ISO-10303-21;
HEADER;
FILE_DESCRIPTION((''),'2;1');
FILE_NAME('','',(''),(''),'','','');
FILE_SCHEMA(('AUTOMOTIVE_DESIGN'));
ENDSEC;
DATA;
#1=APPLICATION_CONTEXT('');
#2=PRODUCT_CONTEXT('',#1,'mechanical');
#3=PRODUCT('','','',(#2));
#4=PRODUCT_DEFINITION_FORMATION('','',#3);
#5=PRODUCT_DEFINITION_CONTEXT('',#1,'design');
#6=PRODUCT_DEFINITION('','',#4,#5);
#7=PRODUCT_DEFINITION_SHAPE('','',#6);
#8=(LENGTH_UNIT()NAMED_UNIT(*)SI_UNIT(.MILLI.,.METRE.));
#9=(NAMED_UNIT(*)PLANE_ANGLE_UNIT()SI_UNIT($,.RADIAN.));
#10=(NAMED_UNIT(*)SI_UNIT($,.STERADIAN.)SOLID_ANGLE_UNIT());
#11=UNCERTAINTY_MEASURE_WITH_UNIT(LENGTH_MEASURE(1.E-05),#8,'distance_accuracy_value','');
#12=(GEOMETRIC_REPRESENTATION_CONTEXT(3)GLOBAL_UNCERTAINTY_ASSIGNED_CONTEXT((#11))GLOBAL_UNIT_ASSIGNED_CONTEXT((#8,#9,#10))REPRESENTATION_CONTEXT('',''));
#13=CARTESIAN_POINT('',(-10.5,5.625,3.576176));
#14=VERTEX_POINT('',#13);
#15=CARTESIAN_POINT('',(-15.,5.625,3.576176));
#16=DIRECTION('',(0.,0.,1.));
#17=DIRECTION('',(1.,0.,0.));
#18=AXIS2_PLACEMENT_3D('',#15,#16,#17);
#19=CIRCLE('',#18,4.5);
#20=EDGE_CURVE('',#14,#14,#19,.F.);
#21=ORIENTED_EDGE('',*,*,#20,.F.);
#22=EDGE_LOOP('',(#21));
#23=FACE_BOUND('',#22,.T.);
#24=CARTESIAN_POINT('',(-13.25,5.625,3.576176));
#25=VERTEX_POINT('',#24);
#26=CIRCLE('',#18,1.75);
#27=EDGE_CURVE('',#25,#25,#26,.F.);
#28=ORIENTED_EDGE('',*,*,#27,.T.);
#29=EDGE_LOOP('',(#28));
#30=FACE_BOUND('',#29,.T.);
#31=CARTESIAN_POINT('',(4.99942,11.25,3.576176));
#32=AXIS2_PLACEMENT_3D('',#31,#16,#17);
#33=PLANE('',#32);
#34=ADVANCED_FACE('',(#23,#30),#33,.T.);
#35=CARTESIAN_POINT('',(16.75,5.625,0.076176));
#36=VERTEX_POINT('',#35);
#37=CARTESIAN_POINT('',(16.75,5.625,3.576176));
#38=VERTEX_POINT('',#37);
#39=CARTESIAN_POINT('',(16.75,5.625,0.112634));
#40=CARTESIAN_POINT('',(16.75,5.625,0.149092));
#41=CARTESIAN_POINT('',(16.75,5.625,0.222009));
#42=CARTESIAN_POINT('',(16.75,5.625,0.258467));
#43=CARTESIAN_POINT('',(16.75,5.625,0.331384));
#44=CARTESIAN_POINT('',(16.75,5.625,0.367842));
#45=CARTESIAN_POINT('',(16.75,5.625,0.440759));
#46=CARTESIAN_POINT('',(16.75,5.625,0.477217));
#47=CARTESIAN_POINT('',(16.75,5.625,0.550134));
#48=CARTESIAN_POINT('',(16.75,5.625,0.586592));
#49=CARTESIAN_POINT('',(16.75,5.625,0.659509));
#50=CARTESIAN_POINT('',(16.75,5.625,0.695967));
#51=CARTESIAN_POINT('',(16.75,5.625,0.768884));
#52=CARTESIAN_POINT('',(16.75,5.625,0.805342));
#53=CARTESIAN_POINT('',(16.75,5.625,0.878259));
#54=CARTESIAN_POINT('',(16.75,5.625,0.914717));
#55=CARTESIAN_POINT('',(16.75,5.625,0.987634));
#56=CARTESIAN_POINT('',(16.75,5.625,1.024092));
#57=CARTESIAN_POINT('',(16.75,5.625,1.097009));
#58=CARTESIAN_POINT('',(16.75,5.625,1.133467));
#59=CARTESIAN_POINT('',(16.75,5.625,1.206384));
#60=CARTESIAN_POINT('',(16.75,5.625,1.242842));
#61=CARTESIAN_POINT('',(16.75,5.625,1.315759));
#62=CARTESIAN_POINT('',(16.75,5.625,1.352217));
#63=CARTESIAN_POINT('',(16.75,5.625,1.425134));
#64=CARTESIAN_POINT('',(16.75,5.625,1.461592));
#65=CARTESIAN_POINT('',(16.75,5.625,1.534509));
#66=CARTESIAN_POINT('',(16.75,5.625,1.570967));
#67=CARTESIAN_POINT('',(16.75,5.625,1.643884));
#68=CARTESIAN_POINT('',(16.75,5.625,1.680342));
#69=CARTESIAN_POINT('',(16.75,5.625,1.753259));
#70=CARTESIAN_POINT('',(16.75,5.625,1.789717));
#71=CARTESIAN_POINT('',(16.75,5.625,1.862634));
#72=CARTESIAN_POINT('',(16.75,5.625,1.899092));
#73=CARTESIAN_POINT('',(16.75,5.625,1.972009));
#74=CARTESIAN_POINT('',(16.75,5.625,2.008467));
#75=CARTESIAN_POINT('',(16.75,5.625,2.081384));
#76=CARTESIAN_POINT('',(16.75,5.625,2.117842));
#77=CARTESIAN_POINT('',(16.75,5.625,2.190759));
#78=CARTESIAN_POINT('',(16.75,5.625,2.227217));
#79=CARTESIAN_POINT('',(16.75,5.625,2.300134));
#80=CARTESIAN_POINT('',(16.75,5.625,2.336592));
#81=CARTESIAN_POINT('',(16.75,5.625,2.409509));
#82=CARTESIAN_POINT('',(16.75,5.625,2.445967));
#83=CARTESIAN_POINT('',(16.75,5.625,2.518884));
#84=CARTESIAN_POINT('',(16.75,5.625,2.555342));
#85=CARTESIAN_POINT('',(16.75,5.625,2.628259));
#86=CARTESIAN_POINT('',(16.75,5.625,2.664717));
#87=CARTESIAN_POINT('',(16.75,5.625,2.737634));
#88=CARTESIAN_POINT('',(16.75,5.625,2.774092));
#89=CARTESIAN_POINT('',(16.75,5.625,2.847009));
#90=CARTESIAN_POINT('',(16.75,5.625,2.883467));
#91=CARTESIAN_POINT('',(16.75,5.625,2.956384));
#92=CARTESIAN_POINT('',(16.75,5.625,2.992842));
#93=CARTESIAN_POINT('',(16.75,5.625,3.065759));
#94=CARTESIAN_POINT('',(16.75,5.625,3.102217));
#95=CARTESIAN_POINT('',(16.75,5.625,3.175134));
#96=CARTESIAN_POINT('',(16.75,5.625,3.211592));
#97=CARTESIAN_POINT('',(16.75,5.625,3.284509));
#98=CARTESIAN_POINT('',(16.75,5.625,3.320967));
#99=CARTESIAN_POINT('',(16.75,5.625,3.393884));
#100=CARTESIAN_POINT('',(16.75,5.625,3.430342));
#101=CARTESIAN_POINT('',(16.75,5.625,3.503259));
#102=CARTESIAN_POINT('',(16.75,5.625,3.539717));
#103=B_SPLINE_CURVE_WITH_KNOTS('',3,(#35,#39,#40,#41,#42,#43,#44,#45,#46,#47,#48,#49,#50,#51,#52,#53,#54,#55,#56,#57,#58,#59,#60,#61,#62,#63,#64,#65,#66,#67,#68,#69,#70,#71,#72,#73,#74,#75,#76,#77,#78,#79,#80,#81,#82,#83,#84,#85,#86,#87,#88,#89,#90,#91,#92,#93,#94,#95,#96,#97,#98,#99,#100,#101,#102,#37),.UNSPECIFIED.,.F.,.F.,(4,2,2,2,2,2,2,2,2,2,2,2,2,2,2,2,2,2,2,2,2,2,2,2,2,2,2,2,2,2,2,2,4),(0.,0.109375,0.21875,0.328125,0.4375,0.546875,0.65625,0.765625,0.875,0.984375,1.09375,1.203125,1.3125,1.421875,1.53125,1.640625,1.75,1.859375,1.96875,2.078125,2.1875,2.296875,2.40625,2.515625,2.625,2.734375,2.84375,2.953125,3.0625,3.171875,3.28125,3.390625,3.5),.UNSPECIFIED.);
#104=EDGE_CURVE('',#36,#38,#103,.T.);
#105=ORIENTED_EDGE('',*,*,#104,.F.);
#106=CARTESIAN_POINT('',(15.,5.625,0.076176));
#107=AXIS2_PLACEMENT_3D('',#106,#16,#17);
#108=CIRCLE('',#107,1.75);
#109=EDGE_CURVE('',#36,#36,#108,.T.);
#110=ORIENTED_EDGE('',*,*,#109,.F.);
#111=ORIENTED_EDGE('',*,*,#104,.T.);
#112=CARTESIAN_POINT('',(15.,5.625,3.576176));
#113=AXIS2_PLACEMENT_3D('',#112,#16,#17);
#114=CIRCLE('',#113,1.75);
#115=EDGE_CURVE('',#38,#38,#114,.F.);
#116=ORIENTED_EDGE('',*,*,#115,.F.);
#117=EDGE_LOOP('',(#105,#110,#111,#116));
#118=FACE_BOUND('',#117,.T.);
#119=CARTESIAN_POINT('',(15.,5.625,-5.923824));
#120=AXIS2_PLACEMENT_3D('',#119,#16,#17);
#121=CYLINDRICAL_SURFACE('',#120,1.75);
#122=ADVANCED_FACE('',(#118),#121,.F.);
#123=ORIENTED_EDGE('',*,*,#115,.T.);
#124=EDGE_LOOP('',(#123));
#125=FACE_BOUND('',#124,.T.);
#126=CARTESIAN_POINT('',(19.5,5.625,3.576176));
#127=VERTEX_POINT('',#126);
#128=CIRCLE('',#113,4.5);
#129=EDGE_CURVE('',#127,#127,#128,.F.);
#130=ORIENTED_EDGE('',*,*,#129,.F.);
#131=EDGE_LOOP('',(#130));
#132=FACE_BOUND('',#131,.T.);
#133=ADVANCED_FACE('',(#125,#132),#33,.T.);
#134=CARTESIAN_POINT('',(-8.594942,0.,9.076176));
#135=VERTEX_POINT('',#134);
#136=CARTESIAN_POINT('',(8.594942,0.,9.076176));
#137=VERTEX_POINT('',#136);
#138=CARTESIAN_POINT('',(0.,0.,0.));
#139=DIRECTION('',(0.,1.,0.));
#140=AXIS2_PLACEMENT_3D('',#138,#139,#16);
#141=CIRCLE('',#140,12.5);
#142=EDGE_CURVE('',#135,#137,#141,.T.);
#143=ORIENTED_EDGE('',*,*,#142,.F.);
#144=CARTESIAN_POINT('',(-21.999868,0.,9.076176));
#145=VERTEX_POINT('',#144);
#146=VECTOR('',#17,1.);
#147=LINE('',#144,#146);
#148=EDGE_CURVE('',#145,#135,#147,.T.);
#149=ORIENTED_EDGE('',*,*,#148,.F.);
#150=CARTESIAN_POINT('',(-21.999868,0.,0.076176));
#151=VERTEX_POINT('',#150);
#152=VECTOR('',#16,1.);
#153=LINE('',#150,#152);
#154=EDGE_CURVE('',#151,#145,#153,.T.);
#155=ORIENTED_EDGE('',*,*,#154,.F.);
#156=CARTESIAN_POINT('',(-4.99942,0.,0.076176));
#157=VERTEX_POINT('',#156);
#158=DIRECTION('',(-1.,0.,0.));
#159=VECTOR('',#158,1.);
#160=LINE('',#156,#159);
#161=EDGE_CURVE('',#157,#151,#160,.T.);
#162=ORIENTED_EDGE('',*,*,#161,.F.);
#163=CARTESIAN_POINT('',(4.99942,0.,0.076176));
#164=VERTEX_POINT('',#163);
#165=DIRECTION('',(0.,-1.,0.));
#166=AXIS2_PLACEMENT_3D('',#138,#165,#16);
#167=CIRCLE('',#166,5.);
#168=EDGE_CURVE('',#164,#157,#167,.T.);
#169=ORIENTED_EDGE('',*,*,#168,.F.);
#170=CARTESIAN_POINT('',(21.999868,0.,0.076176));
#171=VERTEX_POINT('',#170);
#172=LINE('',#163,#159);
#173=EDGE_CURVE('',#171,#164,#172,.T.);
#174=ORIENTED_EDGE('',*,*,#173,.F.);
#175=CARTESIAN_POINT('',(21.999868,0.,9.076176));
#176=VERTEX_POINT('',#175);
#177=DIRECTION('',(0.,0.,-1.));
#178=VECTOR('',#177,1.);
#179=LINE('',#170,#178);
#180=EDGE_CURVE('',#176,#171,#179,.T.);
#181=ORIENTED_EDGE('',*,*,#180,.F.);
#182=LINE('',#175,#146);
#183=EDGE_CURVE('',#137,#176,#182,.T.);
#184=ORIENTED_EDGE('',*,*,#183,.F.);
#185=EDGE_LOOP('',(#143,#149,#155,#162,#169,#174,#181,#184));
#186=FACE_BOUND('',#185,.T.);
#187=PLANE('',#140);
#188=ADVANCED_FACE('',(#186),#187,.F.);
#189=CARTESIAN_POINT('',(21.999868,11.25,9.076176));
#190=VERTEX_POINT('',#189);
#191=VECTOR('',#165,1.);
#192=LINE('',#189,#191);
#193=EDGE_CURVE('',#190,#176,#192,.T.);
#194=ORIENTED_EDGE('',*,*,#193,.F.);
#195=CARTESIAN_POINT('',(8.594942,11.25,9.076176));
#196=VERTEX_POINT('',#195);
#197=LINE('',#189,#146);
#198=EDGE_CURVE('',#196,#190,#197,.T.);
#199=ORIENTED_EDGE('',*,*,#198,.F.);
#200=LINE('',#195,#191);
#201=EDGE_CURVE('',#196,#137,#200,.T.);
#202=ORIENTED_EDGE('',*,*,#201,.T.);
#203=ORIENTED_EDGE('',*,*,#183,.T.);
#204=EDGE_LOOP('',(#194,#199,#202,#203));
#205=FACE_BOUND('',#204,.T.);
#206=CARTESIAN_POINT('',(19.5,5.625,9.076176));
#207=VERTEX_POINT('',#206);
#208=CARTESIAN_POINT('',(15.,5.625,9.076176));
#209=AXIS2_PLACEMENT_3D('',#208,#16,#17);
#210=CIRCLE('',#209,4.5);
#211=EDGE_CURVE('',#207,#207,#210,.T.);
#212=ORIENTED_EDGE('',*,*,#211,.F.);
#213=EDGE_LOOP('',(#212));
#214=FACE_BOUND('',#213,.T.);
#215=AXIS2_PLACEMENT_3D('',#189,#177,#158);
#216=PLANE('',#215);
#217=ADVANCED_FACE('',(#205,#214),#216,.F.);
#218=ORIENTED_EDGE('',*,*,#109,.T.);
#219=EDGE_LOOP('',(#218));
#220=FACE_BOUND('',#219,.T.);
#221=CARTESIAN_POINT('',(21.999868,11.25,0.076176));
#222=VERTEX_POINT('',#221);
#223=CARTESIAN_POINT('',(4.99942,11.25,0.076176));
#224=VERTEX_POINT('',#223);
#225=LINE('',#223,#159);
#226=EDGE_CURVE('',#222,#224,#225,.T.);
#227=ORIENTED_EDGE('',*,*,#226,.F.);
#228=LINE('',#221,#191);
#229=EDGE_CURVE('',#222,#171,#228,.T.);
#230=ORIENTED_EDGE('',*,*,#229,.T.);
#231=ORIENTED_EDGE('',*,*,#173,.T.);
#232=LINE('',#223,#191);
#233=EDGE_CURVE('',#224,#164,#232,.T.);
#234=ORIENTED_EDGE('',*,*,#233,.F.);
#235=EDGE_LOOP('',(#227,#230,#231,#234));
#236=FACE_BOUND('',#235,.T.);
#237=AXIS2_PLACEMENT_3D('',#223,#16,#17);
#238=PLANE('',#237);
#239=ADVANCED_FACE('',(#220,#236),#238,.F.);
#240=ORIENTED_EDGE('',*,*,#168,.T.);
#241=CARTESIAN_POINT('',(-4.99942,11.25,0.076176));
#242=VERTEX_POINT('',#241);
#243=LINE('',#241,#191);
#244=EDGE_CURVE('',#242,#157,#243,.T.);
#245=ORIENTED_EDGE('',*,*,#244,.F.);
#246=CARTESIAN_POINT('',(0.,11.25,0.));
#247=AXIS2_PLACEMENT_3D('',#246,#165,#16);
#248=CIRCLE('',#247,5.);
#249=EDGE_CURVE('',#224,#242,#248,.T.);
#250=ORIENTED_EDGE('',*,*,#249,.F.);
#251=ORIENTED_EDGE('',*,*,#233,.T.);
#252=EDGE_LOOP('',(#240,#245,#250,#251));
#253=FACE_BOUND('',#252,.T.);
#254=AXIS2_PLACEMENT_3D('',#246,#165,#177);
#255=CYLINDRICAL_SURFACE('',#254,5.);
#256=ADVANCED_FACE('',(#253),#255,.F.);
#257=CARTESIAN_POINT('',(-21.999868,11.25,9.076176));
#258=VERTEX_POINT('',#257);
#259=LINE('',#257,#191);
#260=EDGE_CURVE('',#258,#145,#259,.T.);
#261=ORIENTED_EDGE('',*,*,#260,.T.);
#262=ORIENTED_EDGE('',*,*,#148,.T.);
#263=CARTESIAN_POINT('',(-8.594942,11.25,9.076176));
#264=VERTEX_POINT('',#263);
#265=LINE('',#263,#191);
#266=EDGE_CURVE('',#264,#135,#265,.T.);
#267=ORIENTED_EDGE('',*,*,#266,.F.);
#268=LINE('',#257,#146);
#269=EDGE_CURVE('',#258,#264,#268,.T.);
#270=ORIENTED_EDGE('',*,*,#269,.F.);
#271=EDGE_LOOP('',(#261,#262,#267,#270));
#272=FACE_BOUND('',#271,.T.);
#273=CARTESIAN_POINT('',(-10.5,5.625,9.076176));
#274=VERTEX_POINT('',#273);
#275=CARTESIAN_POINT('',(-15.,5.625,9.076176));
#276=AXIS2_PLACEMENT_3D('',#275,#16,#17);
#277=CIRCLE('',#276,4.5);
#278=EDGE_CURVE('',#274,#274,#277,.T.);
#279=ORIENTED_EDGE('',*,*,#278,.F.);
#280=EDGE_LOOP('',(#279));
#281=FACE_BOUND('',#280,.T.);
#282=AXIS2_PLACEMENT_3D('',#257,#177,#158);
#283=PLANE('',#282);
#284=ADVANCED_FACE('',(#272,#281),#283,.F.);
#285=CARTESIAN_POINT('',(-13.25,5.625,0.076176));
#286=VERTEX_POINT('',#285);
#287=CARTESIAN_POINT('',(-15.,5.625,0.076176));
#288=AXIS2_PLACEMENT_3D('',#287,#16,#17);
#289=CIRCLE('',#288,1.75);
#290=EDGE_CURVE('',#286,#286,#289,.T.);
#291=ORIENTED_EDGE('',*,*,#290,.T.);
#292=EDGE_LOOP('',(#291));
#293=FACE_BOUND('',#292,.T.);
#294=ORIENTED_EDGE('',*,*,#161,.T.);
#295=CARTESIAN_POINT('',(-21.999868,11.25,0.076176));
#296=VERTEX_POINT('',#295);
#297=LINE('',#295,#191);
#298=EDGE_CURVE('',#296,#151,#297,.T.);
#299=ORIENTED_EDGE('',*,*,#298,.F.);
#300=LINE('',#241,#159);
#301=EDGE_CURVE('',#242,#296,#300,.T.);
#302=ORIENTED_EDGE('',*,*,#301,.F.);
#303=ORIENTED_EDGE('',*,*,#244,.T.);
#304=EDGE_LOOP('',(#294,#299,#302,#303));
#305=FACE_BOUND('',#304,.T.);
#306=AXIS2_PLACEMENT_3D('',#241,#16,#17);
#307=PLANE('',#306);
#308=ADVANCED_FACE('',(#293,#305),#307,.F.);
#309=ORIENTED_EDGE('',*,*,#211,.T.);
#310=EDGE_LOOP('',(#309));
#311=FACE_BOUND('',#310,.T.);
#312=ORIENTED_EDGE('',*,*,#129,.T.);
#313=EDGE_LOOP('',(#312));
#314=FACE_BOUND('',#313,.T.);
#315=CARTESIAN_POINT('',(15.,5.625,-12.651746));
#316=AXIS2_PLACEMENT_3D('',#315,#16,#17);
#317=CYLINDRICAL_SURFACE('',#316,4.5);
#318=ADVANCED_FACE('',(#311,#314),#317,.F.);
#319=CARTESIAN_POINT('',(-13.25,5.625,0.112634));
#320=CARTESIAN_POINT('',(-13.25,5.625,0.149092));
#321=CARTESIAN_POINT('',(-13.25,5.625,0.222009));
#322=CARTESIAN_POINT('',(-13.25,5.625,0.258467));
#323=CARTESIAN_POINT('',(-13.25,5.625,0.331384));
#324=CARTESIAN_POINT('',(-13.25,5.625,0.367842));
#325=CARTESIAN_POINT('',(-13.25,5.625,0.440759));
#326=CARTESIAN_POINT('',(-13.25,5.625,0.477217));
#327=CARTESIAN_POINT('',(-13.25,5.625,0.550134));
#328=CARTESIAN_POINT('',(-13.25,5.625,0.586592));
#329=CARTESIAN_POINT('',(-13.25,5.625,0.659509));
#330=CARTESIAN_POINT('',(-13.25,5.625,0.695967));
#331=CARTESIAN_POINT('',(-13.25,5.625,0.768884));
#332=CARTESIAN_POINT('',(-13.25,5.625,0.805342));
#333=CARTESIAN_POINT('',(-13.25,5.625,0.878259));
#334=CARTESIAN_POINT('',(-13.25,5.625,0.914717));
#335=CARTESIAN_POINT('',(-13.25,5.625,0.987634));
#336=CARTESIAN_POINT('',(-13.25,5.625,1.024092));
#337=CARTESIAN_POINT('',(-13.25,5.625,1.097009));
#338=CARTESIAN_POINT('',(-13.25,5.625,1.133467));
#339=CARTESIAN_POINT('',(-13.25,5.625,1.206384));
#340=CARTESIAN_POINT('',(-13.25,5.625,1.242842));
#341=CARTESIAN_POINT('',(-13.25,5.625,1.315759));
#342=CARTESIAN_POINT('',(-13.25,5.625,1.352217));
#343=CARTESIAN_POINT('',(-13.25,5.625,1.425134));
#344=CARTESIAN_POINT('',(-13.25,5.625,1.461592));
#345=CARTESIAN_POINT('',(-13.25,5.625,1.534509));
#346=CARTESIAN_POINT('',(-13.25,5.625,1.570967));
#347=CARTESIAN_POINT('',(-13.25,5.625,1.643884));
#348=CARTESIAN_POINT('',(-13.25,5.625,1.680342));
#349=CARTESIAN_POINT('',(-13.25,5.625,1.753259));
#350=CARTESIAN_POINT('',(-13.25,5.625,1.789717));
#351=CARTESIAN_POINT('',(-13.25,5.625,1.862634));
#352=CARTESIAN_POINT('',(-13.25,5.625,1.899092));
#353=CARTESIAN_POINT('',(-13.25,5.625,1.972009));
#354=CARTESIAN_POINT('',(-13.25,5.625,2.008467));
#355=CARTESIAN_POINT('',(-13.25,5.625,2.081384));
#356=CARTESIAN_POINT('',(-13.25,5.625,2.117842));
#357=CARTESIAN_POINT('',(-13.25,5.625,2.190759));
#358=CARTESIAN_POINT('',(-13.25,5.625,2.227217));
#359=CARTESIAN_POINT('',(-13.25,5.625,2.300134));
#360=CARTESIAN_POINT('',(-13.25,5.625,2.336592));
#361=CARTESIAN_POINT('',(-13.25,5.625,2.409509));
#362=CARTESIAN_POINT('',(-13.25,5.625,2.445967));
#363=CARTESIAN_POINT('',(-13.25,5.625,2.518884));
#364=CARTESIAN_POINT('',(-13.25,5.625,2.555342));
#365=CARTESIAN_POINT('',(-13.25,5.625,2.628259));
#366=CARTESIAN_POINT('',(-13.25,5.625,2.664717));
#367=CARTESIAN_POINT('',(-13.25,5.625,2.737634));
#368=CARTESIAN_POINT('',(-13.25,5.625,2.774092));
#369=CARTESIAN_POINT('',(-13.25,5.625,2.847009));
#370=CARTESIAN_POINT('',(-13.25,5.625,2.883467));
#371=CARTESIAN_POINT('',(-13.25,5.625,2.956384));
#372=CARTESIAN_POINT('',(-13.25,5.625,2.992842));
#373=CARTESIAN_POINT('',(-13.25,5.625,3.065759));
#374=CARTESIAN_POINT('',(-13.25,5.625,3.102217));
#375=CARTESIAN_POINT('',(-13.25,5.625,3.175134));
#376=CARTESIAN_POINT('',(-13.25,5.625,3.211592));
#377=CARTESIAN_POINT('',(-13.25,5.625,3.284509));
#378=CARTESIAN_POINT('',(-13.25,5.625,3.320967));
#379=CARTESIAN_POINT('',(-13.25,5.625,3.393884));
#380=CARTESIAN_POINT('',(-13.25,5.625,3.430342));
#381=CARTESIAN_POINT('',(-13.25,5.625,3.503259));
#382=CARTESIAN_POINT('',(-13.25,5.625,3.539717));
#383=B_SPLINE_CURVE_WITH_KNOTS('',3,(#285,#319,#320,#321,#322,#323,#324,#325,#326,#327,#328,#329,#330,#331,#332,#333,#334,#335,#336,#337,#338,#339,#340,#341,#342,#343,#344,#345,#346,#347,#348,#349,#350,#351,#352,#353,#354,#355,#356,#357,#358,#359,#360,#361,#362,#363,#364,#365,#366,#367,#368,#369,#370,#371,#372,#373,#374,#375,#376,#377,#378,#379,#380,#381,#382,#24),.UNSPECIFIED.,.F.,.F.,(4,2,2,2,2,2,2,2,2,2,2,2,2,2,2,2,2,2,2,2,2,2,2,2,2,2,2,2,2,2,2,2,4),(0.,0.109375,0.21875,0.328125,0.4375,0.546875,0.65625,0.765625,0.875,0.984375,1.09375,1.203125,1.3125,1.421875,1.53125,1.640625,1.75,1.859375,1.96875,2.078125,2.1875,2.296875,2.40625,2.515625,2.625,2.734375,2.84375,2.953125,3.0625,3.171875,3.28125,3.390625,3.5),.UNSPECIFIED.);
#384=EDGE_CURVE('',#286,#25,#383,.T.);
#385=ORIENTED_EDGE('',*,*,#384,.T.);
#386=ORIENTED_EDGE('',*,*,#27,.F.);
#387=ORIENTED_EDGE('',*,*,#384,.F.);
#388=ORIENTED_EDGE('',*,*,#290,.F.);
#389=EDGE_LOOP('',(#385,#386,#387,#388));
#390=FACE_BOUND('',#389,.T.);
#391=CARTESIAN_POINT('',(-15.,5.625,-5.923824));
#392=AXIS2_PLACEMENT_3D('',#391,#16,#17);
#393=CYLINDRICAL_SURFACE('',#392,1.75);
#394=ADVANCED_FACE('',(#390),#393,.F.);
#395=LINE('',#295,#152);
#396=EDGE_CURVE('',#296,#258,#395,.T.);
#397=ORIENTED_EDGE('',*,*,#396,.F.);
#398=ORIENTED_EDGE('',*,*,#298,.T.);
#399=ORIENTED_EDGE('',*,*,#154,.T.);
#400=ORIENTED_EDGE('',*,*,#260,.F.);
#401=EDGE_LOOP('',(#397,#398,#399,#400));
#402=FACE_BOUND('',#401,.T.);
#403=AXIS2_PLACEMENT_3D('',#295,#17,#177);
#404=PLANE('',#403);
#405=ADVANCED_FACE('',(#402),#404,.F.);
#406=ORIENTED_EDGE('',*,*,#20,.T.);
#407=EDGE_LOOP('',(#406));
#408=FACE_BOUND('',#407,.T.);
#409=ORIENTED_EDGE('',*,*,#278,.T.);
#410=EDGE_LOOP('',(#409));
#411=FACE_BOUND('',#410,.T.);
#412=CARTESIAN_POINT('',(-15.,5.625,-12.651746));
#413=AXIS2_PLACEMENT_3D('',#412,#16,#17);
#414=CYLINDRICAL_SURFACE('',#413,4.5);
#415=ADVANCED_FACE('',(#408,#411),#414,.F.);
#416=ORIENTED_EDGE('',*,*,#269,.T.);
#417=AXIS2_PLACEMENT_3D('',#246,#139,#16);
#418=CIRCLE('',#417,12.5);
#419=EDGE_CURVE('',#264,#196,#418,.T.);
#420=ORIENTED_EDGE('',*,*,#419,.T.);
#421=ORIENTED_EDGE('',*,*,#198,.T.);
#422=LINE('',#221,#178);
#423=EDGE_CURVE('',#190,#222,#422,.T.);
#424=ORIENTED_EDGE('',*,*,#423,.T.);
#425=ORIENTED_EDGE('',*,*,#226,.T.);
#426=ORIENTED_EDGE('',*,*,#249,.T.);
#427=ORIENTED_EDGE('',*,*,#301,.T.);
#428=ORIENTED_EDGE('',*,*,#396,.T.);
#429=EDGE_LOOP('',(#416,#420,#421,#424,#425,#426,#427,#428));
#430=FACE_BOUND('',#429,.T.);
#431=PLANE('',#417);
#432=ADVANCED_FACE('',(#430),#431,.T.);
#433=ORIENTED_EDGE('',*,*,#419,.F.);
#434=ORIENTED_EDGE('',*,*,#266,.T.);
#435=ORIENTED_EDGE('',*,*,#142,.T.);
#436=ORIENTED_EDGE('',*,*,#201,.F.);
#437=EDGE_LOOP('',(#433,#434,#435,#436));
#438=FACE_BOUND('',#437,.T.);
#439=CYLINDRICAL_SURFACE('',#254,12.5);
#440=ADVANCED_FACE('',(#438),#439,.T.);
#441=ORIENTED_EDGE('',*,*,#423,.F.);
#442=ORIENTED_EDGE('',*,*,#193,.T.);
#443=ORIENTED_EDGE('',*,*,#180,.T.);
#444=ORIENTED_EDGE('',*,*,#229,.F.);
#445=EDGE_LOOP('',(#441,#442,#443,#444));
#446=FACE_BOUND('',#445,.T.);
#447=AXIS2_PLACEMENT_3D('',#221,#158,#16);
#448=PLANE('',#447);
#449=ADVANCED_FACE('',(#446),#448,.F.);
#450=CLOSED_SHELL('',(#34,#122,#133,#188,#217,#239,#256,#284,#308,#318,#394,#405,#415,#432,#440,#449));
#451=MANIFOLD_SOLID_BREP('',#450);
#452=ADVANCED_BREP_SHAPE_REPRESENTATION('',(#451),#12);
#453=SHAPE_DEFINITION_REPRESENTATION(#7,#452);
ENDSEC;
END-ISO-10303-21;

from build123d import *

# Parameters (mm, degrees)
BOSS_EXTRUDE2_DEPTH = 11.25
SKETCH3_R           = 1.75
CUT_EXTRUDE1_DEPTH  = 15
SKETCH4_R           = 4.5
CUT_EXTRUDE2_DEPTH  = 5.5


with BuildPart() as part:
    # Sketch2 → Boss-Extrude2 (new body)
    with BuildSketch(Plane(origin=(0, 0, 0), x_dir=(1, 0, 0), z_dir=(0, 1, 0))):
        with BuildLine():
            Line((4.999419692, -0.076175713), (21.999868119, -0.076175713))
            Line((21.999868119, -0.076175713), (21.999868119, -9.076175713))
            Line((21.999868119, -9.076175713), (8.594942375, -9.076175713))
            ThreePointArc((8.594942375, -9.076175713), (0, -12.5), (-8.594942375, -9.076175713))
            Line((-8.594942375, -9.076175713), (-21.999868119, -9.076175713))
            Line((-21.999868119, -9.076175713), (-21.999868119, -0.076175713))
            Line((-21.999868119, -0.076175713), (-4.999419692, -0.076175713))
            ThreePointArc((-4.999419692, -0.076175713), (0, -5), (4.999419692, -0.076175713))
        make_face()
    extrude(amount=BOSS_EXTRUDE2_DEPTH)

    # Sketch3 → Cut-Extrude1 (cut)
    with BuildSketch(Plane.XY.offset(9.076175713)):
        with Locations((15, 5.625)):
            Circle(SKETCH3_R)
        with Locations((-15, 5.625)):
            Circle(SKETCH3_R)
    extrude(amount=-CUT_EXTRUDE1_DEPTH, mode=Mode.SUBTRACT)

    # Sketch4 → Cut-Extrude2 (cut)
    with BuildSketch(Plane.XY.offset(9.076175713)):
        with Locations((15, 5.625)):
            Circle(SKETCH4_R)
        with Locations((-15, 5.625)):
            Circle(SKETCH4_R)
    extrude(amount=-CUT_EXTRUDE2_DEPTH, mode=Mode.SUBTRACT)


solid = part.part
